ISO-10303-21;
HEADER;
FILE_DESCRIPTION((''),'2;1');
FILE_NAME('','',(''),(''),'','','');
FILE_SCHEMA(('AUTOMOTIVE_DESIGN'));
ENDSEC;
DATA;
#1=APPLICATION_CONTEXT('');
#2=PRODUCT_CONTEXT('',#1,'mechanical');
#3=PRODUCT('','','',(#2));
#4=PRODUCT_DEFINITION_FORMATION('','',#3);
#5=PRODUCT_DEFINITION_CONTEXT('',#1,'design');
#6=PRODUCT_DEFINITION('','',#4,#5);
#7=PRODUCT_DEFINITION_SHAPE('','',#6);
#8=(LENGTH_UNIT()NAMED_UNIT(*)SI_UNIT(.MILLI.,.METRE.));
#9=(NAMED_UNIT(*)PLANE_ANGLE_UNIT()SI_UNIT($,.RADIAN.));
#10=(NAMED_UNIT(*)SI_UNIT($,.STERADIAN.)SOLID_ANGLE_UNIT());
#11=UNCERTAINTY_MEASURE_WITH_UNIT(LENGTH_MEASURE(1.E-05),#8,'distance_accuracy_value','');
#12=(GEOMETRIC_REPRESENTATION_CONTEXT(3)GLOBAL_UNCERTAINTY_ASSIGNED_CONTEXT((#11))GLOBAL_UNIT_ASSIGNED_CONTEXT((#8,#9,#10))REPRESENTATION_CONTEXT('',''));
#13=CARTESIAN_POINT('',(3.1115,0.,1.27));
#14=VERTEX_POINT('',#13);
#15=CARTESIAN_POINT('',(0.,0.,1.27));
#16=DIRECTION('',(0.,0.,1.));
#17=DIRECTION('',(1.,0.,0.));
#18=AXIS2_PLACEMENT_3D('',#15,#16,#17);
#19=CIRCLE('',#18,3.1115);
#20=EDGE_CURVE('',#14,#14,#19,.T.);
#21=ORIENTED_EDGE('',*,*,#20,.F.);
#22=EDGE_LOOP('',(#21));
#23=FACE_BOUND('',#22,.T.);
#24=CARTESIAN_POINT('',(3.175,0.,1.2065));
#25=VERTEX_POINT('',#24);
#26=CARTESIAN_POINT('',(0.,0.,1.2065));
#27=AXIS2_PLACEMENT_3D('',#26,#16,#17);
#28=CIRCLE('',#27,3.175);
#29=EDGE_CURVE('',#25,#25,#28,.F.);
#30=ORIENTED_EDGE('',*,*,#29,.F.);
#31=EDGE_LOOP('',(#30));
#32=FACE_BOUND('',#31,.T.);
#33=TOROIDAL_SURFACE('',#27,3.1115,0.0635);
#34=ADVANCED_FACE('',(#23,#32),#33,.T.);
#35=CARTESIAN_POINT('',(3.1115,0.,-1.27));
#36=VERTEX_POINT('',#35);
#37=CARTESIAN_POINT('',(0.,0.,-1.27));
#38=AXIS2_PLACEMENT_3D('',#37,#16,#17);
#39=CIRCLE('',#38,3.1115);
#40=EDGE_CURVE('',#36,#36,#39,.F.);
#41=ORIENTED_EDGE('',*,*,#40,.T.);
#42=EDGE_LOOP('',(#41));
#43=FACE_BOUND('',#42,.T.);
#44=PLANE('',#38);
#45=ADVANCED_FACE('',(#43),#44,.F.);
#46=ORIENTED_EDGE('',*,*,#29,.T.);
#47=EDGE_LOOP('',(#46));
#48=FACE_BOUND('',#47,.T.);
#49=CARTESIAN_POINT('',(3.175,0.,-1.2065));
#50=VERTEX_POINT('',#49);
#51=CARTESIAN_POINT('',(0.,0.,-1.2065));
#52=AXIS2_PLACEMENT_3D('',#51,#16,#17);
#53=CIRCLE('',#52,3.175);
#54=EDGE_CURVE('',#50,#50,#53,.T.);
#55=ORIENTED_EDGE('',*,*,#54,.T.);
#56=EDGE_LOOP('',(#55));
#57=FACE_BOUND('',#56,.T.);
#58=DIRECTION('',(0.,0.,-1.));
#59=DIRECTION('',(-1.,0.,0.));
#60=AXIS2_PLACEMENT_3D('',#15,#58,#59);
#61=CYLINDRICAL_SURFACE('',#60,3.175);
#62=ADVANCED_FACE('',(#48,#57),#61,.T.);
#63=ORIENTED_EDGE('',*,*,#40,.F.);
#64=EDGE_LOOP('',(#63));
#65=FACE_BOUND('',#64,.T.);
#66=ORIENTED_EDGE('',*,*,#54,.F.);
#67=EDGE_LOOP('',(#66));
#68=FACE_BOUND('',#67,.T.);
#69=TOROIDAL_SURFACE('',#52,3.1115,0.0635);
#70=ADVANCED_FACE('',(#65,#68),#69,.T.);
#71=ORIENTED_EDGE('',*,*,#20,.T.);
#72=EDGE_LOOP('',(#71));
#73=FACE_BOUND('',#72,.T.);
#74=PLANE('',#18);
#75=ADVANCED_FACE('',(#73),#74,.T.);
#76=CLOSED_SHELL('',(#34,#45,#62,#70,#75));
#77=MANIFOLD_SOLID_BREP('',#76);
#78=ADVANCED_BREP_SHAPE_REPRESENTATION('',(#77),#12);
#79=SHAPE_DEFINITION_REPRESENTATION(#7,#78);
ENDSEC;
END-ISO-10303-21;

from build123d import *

# Parameters (mm, degrees)
SKETCH3_R                = 3.175
BOSS_EXTRUDE1_DEPTH      = 1.27
BOSS_EXTRUDE1_DEPTH_BACK = 1.27
FILLET1_R                = 0.0635


with BuildPart() as part:
    # Sketch3 → Boss-Extrude1 (new body, two sides)
    with BuildSketch(Plane.XY) as boss_extrude1_sk:
        Circle(SKETCH3_R)
    extrude(amount=BOSS_EXTRUDE1_DEPTH)
    extrude(boss_extrude1_sk.sketch, amount=-BOSS_EXTRUDE1_DEPTH_BACK)

    # Fillet1
    fillet1_edges = [part.edges().sort_by_distance(p)[0] for p in [
        (-3.175, 0, -1.27),
        (-3.175, 0, 1.27),
    ]]
    fillet(fillet1_edges, radius=FILLET1_R)


solid = part.part
